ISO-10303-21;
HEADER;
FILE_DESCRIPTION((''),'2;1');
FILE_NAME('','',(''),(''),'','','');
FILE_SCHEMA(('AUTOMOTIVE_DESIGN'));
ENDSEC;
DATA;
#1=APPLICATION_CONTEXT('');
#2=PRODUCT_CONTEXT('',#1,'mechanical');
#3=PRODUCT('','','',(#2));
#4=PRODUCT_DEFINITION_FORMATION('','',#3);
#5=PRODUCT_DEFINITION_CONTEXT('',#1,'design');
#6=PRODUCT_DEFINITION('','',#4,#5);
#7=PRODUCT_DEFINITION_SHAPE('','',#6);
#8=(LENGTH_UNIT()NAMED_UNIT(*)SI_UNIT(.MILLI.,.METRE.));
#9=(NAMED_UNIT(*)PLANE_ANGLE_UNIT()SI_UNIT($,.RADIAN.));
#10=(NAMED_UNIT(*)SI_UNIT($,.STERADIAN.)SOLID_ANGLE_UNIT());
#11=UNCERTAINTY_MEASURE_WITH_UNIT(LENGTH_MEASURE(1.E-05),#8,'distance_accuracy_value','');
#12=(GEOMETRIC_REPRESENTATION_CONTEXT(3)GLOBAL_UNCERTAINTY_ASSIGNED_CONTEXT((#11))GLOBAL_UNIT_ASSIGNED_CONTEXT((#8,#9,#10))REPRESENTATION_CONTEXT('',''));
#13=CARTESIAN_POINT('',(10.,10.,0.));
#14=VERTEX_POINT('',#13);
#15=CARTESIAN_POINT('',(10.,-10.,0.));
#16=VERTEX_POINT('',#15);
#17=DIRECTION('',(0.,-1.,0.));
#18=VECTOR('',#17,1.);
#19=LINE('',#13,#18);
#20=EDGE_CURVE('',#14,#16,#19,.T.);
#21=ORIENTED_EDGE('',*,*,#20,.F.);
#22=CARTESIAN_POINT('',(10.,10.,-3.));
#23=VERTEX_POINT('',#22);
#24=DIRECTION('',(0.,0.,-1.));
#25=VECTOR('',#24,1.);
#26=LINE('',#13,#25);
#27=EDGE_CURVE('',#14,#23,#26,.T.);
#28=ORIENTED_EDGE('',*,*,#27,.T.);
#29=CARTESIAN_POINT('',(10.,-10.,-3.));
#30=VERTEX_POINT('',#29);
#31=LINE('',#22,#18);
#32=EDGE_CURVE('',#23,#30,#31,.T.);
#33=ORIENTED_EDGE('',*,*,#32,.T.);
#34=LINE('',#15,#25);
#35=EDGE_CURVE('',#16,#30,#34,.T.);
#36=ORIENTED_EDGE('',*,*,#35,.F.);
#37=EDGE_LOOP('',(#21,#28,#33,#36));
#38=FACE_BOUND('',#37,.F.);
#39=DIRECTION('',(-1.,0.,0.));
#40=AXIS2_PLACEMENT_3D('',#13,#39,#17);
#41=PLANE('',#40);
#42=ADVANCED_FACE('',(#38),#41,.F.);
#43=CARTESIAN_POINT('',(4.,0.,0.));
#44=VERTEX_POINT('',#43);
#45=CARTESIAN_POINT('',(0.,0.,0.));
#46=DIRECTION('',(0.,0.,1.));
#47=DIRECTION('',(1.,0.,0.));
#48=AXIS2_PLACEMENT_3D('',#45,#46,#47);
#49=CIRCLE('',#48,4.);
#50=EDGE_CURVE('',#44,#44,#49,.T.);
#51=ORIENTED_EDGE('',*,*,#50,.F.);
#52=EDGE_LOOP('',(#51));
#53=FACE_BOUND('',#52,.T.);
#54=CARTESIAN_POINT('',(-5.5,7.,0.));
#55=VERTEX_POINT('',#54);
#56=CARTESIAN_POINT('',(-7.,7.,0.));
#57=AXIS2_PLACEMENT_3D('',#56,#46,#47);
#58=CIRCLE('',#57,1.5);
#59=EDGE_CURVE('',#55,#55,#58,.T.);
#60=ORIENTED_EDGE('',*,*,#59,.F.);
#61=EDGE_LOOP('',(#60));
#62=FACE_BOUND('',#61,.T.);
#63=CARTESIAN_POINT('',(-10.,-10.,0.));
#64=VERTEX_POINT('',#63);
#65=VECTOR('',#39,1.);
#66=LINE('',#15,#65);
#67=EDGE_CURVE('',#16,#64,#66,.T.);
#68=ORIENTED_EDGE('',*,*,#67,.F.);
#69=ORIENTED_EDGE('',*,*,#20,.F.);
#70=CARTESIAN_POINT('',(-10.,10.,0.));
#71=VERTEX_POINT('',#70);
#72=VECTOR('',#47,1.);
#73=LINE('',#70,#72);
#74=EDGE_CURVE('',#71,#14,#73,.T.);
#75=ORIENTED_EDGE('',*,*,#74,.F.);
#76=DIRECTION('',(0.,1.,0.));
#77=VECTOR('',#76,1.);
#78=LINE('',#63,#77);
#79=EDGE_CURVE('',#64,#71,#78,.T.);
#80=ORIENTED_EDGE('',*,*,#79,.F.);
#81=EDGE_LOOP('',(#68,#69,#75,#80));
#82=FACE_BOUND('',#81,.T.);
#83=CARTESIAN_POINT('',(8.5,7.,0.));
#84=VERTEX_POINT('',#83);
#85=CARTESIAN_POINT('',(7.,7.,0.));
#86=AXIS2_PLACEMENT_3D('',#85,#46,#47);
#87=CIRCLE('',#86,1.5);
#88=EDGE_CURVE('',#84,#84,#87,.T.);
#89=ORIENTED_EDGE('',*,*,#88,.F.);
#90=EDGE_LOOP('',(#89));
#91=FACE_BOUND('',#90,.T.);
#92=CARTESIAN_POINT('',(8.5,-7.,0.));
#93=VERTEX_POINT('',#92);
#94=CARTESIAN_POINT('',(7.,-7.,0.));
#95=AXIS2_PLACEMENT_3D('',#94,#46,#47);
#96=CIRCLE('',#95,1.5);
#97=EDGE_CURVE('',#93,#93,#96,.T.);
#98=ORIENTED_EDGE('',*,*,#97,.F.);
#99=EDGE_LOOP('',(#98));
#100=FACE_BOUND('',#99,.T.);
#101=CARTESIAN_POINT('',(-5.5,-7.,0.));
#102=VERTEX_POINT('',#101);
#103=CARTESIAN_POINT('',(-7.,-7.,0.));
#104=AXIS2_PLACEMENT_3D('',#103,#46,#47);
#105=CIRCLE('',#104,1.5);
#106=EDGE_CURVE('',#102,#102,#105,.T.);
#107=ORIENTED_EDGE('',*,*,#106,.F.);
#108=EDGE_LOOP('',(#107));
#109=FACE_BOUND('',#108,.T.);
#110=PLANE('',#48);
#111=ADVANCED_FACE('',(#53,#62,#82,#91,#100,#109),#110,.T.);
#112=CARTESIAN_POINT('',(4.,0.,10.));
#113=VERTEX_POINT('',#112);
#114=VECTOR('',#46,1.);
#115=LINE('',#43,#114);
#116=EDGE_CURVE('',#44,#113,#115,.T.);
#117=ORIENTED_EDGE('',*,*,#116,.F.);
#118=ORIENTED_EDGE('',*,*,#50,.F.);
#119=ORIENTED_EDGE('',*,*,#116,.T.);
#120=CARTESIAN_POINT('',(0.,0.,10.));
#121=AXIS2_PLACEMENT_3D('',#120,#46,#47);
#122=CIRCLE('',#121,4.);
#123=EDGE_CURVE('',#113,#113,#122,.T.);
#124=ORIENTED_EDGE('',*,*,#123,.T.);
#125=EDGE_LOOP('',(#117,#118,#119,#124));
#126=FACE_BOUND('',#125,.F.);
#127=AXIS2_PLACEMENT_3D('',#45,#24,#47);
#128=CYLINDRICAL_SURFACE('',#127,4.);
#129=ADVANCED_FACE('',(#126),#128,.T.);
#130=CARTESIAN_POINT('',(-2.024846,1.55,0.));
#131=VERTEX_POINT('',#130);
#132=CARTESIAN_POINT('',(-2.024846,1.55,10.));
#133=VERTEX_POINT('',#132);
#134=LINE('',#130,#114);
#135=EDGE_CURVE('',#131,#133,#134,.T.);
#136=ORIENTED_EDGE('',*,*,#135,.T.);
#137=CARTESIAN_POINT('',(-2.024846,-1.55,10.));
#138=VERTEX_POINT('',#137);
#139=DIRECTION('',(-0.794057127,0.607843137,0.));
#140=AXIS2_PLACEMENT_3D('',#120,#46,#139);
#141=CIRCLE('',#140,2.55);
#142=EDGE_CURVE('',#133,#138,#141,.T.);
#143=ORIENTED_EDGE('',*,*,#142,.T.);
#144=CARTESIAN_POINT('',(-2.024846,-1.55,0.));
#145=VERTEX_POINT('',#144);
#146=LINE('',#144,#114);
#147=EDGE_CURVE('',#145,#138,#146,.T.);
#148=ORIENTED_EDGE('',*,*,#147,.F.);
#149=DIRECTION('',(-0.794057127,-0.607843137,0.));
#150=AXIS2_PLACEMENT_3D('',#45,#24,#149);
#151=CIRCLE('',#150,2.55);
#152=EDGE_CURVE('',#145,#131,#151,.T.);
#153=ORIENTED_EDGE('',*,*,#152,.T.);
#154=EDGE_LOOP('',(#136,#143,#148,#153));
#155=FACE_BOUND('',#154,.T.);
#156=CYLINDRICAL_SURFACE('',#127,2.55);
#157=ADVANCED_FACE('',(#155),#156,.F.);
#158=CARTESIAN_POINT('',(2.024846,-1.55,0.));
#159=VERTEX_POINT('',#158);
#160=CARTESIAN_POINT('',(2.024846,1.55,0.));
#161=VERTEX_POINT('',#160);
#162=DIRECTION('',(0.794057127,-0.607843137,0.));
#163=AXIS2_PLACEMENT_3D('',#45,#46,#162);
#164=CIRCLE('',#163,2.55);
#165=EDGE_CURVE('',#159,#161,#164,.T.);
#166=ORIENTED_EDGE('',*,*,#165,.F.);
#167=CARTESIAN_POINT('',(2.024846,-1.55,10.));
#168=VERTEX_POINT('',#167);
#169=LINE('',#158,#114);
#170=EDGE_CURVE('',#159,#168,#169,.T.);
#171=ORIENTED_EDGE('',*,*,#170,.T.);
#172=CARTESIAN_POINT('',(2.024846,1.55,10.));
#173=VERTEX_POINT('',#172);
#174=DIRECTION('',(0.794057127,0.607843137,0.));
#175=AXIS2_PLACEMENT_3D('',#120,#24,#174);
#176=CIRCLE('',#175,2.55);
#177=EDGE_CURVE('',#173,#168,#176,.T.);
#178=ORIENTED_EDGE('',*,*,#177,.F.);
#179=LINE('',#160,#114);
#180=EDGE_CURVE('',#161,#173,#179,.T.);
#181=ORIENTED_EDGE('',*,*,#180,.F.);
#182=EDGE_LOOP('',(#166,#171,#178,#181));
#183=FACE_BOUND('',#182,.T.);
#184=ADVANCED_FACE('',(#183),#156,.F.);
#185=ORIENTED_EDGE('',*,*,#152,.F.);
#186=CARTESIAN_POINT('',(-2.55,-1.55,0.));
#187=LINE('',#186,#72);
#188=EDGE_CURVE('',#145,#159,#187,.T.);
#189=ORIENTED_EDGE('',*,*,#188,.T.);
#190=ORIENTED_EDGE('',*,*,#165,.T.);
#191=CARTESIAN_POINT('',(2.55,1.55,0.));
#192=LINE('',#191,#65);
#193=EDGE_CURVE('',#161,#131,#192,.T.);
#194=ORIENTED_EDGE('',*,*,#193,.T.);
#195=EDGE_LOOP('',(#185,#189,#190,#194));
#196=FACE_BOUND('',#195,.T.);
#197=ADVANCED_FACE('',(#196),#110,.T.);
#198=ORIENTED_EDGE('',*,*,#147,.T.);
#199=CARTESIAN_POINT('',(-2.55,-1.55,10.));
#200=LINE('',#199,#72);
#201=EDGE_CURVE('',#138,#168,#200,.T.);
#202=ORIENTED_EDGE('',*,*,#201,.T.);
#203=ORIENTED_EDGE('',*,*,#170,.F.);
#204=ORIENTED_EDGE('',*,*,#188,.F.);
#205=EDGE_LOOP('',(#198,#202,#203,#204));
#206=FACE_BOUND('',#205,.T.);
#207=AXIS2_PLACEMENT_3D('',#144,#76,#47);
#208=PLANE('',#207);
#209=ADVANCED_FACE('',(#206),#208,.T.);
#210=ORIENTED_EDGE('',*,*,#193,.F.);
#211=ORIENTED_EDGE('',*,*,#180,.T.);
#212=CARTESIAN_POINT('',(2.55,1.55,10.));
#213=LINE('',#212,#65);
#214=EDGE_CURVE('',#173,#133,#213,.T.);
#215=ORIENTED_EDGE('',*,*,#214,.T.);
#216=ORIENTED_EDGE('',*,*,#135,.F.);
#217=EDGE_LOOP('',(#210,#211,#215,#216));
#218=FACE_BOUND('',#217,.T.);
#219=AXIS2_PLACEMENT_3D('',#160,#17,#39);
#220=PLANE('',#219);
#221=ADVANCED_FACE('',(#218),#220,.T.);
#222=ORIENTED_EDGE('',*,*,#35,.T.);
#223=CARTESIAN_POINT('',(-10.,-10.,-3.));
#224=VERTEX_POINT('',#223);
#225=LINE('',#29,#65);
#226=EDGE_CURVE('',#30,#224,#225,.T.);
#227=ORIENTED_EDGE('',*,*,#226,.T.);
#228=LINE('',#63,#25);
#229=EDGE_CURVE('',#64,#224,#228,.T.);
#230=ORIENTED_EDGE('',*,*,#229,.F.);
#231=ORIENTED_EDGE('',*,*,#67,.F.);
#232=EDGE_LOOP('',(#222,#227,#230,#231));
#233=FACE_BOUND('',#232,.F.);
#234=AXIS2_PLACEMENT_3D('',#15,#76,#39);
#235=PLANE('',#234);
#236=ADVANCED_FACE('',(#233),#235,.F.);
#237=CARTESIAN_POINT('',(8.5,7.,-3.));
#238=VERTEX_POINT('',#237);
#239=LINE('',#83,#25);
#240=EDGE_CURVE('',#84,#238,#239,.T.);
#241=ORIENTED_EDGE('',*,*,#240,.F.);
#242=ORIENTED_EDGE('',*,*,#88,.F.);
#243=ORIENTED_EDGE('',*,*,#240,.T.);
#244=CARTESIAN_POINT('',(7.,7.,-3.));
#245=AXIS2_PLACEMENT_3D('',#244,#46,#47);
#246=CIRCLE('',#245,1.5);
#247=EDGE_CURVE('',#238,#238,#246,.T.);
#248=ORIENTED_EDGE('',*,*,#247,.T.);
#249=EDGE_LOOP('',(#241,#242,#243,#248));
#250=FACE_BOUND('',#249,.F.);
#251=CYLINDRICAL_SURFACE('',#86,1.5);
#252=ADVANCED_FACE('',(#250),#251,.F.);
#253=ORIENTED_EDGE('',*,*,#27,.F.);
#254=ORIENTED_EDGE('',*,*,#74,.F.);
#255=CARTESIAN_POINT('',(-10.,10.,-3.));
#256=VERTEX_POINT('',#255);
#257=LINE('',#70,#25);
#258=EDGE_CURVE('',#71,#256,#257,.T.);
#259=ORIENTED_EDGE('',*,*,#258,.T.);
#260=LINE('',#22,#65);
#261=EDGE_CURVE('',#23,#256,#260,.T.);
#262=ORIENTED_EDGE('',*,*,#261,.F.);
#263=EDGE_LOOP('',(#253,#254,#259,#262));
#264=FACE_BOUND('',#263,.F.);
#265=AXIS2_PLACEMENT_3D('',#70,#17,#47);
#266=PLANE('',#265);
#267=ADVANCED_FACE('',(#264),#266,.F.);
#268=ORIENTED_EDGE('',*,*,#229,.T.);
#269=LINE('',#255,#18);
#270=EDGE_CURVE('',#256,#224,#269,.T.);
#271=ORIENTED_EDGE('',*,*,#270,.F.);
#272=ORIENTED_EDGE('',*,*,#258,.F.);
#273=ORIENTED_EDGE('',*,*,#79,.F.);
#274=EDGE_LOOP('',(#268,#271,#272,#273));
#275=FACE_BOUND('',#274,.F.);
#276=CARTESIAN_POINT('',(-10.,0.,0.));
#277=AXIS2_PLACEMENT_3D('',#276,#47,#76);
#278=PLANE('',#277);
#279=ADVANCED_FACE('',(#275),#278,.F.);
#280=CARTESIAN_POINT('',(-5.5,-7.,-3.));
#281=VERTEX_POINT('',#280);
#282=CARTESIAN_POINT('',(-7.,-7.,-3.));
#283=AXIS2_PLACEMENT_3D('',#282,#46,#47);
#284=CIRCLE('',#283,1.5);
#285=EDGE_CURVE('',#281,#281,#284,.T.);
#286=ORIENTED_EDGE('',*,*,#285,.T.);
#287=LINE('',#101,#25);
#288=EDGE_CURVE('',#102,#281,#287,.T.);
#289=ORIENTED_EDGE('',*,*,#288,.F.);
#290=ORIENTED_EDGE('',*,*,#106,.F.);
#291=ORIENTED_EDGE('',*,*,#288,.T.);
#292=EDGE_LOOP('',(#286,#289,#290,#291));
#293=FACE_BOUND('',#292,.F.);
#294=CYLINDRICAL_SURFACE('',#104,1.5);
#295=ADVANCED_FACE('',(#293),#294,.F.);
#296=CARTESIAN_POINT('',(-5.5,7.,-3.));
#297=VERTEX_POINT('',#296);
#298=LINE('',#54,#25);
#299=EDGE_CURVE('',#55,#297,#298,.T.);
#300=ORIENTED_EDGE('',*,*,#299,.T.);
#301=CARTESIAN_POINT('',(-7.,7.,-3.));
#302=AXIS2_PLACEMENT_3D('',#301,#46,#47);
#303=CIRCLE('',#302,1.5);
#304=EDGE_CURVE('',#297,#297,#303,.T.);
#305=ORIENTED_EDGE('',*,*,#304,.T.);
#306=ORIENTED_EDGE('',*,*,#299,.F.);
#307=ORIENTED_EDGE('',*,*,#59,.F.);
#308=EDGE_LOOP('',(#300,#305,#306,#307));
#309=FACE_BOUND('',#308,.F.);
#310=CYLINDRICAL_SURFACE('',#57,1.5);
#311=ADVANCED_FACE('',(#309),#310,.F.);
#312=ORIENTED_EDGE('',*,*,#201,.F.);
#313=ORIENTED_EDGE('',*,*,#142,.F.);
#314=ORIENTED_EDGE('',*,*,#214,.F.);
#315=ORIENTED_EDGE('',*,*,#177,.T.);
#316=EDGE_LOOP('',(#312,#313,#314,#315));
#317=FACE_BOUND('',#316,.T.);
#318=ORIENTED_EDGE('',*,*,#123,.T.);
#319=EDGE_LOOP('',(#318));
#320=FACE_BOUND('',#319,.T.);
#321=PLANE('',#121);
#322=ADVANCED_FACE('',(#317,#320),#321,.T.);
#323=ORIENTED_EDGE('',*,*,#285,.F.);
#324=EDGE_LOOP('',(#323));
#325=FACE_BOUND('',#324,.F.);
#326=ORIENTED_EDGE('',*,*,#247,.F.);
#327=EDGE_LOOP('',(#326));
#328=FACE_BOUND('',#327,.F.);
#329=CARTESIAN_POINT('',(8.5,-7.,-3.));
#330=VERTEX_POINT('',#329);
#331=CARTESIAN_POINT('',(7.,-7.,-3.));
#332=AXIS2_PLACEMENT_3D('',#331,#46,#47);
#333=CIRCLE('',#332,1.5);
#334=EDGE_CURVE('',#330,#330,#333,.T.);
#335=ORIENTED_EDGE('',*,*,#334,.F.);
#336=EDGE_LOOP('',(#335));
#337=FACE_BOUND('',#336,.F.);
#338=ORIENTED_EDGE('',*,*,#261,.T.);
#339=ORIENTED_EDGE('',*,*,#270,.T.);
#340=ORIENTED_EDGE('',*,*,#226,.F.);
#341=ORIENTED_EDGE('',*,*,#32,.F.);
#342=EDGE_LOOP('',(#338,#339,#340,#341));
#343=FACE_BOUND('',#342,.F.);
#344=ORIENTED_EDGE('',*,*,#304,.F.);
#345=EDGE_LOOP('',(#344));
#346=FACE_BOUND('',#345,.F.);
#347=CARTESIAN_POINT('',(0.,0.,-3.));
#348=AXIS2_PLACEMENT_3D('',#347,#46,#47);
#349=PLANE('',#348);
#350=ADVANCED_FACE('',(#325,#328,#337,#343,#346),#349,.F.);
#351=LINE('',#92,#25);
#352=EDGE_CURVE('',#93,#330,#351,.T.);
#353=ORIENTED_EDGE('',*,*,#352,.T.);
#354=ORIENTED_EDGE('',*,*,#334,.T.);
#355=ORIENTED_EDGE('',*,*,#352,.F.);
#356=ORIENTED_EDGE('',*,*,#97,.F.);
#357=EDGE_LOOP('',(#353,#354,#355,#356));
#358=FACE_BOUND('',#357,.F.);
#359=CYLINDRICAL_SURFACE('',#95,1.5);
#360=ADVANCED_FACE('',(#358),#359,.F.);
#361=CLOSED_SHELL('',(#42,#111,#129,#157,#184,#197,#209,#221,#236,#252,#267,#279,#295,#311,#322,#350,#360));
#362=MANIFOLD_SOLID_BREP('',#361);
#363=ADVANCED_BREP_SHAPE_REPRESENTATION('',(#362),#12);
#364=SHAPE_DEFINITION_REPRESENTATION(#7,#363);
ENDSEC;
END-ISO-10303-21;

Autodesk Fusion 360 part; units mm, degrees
sketch "Sketch1" plane through (0, 0, 0) normal (0, 0, 1) x (1, 0, 0)
  line L0 (2.55, 1.55) -> (-2.55, -1.55) construction
  line L1 (2.55, 1.55) -> (-2.55, -1.55) construction
  line L2 (-2.55, 1.55) -> (-2.55, -1.55)
  circle A0 centre (0, 0) radius 4
  line L3 (-2.55, 1.55) -> (2.55, -1.55) construction
  line L4 (-2.55, -1.55) -> (2.55, -1.55)
  line L5 (2.55, 1.55) -> (-2.55, 1.55)
  line L6 (2.55, 1.55) -> (-2.55, -1.55) construction
  line L7 (-2.55, 1.55) -> (2.55, -1.55) construction
  line L8 (-2.55, 1.55) -> (2.55, -1.55) construction
  circle A1 centre (0, 0) radius 2.55
  line L9 (2.55, -1.55) -> (2.55, 1.55)
  line L10 (-10, 10) -> (10, 10)
  line L11 (10, 10) -> (10, -10)
  line L12 (10, -10) -> (-10, -10)
  line L13 (-10, -10) -> (-10, 10)
  circle A2 centre (-7, 7) radius 1.5
  line L14 (0, 10) -> (0, 7.5)
  circle A3 centre (7, 7) radius 1.5
  line L15 (-10, 0) -> (-8.5, 0)
  circle A4 centre (-7, -7) radius 1.5
  circle A5 centre (7, -7) radius 1.5
  dimension "d1" = 5.1
  dimension "d2" = 5.1
  dimension "d3" = 3.1
  dimension "d4" = 8
  dimension "d5" = 5.1
  dimension "d6" = 5.1
  dimension "d7" = 20
  dimension "d8" = 20
  dimension "d9" = 3
extrude "Extrude1" add sketch "Sketch1" along normal blind 10 contours L2 L5 A1 | L2 L4 A1 | L5 A1 | L4 A1 | L5 A1 L9 | L4 A1 L9 | A0 makes body 1
extrude "Extrude2" add sketch "Sketch1" against normal blind 3 separate body contours L10 L11 L12 L13 makes body 2
extrude "Extrude3" add sketch "Sketch1" against normal blind 3 contours L2 L5 A1 | L2 L4 A1 | L4 L5 A1 | L5 A1 | L4 A1 | L5 A1 L9 | L4 A1 L9 | A0 bodies 1 2
